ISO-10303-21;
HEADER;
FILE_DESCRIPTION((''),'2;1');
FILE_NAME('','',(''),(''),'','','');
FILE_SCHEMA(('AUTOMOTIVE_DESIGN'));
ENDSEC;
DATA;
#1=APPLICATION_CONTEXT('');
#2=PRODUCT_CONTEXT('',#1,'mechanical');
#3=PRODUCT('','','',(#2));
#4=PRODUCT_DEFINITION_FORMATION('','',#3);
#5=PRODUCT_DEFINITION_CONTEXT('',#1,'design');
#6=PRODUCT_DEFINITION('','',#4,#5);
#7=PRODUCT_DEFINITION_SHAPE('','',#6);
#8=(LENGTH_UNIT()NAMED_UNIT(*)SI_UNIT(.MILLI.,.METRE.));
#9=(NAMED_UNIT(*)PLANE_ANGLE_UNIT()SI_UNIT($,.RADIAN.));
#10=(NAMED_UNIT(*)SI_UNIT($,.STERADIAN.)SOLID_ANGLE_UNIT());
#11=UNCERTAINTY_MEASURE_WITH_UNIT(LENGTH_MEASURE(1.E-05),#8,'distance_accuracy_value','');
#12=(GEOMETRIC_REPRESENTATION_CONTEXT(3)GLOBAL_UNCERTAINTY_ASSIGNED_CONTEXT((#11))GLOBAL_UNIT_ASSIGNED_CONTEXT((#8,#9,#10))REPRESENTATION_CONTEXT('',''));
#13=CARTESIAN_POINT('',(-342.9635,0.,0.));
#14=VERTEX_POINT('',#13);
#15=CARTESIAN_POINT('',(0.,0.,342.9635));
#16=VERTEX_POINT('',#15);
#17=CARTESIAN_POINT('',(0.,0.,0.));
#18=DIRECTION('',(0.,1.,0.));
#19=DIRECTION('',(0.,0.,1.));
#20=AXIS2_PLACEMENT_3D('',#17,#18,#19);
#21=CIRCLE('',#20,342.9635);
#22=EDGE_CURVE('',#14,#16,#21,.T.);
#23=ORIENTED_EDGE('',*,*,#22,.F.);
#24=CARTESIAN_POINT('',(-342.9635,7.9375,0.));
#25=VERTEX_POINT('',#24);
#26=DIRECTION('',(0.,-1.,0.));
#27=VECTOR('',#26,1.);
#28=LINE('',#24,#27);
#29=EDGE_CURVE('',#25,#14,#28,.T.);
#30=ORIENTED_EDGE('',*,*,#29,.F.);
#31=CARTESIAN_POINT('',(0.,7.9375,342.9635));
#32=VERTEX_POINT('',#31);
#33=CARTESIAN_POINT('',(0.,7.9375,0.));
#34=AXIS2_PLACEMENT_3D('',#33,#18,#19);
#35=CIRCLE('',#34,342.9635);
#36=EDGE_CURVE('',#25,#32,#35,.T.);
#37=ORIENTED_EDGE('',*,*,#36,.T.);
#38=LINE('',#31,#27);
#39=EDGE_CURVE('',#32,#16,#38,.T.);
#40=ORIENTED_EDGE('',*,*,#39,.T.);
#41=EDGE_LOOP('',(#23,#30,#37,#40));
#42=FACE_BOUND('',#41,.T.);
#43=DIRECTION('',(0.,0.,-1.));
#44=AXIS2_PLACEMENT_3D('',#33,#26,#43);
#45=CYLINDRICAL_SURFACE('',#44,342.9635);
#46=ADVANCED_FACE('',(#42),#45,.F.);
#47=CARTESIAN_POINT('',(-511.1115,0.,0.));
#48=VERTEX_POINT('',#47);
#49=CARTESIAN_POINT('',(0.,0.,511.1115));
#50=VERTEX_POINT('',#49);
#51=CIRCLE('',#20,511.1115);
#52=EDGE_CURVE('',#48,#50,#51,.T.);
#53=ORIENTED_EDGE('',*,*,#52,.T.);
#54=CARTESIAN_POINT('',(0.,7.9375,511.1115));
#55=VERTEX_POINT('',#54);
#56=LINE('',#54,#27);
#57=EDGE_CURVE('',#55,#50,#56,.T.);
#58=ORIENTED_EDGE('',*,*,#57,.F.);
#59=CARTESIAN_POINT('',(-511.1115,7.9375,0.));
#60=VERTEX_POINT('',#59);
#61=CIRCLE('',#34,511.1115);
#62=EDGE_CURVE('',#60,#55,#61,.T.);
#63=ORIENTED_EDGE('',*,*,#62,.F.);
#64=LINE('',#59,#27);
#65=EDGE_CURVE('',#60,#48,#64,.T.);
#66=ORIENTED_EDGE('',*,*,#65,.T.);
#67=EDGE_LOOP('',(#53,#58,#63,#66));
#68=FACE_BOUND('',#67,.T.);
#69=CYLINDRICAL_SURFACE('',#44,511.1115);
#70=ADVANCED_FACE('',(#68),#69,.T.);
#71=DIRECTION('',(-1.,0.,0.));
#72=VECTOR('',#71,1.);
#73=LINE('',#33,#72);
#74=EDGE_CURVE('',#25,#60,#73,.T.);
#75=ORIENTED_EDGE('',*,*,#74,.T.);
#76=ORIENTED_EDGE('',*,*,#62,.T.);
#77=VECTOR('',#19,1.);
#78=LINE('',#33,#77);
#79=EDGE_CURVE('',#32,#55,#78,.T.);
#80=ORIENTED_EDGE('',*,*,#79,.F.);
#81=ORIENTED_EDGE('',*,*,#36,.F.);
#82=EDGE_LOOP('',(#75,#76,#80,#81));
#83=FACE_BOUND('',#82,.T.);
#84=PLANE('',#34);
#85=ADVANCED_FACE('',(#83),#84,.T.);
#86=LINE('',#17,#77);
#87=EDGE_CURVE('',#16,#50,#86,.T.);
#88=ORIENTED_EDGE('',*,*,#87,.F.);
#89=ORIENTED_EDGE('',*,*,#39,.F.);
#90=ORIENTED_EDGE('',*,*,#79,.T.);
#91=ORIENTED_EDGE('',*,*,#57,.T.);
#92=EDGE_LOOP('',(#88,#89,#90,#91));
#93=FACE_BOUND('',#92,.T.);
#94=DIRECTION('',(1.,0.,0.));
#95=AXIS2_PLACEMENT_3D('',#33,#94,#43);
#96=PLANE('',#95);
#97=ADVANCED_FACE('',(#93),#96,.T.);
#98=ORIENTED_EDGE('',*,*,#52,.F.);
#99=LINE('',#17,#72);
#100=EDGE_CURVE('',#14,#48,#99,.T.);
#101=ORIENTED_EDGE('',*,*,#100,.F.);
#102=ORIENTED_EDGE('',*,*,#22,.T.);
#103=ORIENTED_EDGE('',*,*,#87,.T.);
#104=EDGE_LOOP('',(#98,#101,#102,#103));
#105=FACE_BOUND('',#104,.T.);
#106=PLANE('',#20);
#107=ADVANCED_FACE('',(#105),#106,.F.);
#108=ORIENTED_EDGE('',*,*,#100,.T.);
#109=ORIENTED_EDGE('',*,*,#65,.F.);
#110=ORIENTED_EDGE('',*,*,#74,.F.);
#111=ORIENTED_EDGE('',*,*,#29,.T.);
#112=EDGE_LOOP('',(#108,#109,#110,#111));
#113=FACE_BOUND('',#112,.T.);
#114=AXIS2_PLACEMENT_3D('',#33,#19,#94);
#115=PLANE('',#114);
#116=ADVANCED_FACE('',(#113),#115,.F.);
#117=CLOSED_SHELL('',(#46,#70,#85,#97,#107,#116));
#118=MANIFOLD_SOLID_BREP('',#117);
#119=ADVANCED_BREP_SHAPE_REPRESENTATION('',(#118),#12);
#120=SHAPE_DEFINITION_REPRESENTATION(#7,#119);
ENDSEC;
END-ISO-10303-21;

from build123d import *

# Parameters (mm, degrees)
BOSS_EXTRUDE1_DEPTH = 7.9375


with BuildPart() as part:
    # Sketch1 → Boss-Extrude1 (new body)
    with BuildSketch(Plane(origin=(0, 0, 0), x_dir=(1, 0, 0), z_dir=(0, 1, 0))):
        with BuildLine():
            ThreePointArc((0, -342.9635), (-242.511816549, -242.511816549), (-342.9635, 0))
            Line((-342.9635, 0), (-511.1115, 0))
            ThreePointArc((-511.1115, 0), (-361.410407592, -361.410407592), (0, -511.1115))
            Line((0, -511.1115), (0, -342.9635))
        make_face()
    extrude(amount=BOSS_EXTRUDE1_DEPTH)


solid = part.part
